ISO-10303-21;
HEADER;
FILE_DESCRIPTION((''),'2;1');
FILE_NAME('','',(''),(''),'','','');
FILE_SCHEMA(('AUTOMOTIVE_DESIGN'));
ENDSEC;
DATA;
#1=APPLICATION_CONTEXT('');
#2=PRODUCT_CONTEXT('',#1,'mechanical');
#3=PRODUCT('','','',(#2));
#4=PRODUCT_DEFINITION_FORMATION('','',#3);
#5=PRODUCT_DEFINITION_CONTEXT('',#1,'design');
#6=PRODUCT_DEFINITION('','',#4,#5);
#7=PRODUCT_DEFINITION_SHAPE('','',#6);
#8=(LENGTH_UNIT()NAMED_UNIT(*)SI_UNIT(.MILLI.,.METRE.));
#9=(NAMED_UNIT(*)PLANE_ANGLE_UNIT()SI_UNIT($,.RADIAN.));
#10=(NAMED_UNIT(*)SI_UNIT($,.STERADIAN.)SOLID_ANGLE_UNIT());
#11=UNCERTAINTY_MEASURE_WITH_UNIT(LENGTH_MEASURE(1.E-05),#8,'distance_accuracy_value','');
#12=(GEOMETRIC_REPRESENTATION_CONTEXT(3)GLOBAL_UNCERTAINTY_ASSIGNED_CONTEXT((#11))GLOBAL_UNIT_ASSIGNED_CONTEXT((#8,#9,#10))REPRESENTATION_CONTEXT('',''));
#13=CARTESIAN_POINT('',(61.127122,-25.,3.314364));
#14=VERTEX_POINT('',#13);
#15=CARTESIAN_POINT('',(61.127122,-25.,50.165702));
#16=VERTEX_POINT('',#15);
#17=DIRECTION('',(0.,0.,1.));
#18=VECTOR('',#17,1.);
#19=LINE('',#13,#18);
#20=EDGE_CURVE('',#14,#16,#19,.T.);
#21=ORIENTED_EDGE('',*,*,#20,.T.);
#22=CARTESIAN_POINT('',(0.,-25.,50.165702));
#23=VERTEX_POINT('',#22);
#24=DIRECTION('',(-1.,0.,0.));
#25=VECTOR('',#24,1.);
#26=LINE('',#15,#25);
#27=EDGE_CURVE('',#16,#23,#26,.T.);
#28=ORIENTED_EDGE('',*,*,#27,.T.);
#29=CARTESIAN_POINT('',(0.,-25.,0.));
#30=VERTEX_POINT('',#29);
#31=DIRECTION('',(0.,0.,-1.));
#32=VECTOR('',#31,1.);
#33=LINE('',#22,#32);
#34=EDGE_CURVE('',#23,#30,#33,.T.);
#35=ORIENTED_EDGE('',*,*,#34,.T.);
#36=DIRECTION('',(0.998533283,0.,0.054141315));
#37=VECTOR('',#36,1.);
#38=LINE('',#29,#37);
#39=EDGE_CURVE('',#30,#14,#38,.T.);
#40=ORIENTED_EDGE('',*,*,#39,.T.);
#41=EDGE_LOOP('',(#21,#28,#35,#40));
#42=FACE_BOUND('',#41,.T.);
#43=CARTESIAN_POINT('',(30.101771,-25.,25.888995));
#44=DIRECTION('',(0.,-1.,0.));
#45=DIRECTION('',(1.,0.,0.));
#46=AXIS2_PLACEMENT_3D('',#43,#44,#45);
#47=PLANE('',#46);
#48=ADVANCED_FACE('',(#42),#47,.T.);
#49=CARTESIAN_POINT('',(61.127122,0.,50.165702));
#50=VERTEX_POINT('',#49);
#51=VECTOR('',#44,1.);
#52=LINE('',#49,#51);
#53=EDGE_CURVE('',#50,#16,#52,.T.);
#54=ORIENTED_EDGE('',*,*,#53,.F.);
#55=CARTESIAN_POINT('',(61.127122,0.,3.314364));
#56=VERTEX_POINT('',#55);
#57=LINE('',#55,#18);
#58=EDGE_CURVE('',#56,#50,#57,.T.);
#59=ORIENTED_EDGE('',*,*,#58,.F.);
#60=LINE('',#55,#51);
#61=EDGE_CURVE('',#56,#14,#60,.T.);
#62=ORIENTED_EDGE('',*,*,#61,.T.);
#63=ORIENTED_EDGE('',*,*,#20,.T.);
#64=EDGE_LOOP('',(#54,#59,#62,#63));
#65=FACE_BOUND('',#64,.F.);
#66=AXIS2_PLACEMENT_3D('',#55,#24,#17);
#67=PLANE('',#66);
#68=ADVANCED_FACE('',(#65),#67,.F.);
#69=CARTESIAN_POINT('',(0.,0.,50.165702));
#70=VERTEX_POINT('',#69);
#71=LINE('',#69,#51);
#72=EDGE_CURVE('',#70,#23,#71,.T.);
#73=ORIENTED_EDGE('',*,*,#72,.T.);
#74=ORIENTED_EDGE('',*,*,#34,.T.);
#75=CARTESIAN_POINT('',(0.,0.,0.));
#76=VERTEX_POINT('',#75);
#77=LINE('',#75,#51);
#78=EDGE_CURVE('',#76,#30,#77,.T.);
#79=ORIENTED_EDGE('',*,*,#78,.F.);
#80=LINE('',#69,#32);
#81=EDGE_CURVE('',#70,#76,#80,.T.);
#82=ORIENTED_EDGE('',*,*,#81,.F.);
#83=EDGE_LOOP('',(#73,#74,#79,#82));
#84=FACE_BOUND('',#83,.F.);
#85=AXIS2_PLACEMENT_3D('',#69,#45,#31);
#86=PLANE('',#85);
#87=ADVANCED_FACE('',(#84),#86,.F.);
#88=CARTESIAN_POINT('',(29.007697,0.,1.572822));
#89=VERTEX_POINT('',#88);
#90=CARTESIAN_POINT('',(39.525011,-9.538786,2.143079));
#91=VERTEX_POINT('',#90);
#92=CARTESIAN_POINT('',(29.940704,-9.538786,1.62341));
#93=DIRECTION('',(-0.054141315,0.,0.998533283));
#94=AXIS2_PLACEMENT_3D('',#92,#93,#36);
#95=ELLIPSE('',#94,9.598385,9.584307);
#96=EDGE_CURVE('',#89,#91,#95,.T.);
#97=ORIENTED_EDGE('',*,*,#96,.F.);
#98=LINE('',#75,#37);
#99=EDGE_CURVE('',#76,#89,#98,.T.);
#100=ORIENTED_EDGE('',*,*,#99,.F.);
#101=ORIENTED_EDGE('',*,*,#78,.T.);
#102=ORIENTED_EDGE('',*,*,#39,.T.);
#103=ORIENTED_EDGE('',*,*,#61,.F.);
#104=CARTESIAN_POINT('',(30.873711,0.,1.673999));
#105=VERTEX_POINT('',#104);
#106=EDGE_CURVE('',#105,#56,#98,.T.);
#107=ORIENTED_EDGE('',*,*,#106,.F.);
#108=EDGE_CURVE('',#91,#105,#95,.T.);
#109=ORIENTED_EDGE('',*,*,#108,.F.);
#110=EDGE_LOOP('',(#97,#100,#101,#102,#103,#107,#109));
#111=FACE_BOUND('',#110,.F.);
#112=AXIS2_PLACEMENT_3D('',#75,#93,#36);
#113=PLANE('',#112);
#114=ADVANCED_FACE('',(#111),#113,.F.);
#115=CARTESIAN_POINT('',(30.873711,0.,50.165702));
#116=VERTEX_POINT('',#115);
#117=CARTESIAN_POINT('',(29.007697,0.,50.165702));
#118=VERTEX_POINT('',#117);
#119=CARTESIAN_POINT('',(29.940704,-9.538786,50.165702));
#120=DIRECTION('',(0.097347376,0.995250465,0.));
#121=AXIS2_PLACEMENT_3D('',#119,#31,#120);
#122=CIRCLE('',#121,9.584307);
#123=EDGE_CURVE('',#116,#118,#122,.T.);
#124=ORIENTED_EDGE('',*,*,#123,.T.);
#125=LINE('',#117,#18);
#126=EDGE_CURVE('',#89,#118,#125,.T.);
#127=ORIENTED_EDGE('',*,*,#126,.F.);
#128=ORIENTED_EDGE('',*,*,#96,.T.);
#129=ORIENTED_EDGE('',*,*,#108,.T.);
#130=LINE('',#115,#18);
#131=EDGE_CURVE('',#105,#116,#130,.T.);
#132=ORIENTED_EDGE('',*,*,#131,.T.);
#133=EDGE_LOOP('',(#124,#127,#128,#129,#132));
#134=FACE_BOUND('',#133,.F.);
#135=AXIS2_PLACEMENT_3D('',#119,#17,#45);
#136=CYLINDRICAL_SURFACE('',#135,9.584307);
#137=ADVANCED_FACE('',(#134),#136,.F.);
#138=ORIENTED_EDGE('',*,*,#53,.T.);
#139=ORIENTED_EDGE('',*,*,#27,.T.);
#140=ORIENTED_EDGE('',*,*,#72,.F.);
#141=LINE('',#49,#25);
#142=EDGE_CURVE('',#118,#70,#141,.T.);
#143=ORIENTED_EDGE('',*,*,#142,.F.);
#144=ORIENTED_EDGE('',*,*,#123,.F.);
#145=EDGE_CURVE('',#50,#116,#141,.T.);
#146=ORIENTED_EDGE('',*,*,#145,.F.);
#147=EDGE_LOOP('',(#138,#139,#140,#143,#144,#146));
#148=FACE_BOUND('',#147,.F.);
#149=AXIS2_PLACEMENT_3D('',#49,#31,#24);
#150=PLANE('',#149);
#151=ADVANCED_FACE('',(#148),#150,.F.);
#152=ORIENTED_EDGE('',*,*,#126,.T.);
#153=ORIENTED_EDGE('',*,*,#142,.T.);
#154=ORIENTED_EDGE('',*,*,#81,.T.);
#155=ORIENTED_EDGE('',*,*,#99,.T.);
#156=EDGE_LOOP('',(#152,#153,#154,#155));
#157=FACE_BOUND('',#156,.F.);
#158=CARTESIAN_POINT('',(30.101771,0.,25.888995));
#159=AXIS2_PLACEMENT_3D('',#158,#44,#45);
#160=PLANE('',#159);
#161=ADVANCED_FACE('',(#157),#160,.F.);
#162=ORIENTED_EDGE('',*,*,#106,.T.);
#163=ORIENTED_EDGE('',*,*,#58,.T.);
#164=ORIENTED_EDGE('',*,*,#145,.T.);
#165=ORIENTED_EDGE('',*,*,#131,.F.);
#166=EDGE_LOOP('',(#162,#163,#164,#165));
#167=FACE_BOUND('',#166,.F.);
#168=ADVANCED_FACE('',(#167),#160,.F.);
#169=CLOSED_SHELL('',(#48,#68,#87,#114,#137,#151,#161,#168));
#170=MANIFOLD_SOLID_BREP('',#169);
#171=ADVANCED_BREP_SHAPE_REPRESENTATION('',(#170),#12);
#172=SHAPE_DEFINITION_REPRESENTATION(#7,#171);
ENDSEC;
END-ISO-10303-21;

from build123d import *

# Parameters (mm, degrees)
F1_DEPTH = 25
F2_R     = 9.584307
F3_DEPTH = 60


with BuildPart() as f1:
    # F0 (on Front) → F1 (new body)
    with BuildSketch(Plane.XZ):
        Polygon((0, 50.165702), (0, 0), (61.127122, 3.314364), (61.127122, 50.165702), align=None)
    extrude(amount=F1_DEPTH)

    # F2 (on face) → F3 (cut)
    with BuildSketch(Plane.XY.offset(50.165702)):
        with Locations((29.940704, -9.538786)):
            Circle(F2_R)
    extrude(amount=-F3_DEPTH, mode=Mode.SUBTRACT)


solid = f1.part
